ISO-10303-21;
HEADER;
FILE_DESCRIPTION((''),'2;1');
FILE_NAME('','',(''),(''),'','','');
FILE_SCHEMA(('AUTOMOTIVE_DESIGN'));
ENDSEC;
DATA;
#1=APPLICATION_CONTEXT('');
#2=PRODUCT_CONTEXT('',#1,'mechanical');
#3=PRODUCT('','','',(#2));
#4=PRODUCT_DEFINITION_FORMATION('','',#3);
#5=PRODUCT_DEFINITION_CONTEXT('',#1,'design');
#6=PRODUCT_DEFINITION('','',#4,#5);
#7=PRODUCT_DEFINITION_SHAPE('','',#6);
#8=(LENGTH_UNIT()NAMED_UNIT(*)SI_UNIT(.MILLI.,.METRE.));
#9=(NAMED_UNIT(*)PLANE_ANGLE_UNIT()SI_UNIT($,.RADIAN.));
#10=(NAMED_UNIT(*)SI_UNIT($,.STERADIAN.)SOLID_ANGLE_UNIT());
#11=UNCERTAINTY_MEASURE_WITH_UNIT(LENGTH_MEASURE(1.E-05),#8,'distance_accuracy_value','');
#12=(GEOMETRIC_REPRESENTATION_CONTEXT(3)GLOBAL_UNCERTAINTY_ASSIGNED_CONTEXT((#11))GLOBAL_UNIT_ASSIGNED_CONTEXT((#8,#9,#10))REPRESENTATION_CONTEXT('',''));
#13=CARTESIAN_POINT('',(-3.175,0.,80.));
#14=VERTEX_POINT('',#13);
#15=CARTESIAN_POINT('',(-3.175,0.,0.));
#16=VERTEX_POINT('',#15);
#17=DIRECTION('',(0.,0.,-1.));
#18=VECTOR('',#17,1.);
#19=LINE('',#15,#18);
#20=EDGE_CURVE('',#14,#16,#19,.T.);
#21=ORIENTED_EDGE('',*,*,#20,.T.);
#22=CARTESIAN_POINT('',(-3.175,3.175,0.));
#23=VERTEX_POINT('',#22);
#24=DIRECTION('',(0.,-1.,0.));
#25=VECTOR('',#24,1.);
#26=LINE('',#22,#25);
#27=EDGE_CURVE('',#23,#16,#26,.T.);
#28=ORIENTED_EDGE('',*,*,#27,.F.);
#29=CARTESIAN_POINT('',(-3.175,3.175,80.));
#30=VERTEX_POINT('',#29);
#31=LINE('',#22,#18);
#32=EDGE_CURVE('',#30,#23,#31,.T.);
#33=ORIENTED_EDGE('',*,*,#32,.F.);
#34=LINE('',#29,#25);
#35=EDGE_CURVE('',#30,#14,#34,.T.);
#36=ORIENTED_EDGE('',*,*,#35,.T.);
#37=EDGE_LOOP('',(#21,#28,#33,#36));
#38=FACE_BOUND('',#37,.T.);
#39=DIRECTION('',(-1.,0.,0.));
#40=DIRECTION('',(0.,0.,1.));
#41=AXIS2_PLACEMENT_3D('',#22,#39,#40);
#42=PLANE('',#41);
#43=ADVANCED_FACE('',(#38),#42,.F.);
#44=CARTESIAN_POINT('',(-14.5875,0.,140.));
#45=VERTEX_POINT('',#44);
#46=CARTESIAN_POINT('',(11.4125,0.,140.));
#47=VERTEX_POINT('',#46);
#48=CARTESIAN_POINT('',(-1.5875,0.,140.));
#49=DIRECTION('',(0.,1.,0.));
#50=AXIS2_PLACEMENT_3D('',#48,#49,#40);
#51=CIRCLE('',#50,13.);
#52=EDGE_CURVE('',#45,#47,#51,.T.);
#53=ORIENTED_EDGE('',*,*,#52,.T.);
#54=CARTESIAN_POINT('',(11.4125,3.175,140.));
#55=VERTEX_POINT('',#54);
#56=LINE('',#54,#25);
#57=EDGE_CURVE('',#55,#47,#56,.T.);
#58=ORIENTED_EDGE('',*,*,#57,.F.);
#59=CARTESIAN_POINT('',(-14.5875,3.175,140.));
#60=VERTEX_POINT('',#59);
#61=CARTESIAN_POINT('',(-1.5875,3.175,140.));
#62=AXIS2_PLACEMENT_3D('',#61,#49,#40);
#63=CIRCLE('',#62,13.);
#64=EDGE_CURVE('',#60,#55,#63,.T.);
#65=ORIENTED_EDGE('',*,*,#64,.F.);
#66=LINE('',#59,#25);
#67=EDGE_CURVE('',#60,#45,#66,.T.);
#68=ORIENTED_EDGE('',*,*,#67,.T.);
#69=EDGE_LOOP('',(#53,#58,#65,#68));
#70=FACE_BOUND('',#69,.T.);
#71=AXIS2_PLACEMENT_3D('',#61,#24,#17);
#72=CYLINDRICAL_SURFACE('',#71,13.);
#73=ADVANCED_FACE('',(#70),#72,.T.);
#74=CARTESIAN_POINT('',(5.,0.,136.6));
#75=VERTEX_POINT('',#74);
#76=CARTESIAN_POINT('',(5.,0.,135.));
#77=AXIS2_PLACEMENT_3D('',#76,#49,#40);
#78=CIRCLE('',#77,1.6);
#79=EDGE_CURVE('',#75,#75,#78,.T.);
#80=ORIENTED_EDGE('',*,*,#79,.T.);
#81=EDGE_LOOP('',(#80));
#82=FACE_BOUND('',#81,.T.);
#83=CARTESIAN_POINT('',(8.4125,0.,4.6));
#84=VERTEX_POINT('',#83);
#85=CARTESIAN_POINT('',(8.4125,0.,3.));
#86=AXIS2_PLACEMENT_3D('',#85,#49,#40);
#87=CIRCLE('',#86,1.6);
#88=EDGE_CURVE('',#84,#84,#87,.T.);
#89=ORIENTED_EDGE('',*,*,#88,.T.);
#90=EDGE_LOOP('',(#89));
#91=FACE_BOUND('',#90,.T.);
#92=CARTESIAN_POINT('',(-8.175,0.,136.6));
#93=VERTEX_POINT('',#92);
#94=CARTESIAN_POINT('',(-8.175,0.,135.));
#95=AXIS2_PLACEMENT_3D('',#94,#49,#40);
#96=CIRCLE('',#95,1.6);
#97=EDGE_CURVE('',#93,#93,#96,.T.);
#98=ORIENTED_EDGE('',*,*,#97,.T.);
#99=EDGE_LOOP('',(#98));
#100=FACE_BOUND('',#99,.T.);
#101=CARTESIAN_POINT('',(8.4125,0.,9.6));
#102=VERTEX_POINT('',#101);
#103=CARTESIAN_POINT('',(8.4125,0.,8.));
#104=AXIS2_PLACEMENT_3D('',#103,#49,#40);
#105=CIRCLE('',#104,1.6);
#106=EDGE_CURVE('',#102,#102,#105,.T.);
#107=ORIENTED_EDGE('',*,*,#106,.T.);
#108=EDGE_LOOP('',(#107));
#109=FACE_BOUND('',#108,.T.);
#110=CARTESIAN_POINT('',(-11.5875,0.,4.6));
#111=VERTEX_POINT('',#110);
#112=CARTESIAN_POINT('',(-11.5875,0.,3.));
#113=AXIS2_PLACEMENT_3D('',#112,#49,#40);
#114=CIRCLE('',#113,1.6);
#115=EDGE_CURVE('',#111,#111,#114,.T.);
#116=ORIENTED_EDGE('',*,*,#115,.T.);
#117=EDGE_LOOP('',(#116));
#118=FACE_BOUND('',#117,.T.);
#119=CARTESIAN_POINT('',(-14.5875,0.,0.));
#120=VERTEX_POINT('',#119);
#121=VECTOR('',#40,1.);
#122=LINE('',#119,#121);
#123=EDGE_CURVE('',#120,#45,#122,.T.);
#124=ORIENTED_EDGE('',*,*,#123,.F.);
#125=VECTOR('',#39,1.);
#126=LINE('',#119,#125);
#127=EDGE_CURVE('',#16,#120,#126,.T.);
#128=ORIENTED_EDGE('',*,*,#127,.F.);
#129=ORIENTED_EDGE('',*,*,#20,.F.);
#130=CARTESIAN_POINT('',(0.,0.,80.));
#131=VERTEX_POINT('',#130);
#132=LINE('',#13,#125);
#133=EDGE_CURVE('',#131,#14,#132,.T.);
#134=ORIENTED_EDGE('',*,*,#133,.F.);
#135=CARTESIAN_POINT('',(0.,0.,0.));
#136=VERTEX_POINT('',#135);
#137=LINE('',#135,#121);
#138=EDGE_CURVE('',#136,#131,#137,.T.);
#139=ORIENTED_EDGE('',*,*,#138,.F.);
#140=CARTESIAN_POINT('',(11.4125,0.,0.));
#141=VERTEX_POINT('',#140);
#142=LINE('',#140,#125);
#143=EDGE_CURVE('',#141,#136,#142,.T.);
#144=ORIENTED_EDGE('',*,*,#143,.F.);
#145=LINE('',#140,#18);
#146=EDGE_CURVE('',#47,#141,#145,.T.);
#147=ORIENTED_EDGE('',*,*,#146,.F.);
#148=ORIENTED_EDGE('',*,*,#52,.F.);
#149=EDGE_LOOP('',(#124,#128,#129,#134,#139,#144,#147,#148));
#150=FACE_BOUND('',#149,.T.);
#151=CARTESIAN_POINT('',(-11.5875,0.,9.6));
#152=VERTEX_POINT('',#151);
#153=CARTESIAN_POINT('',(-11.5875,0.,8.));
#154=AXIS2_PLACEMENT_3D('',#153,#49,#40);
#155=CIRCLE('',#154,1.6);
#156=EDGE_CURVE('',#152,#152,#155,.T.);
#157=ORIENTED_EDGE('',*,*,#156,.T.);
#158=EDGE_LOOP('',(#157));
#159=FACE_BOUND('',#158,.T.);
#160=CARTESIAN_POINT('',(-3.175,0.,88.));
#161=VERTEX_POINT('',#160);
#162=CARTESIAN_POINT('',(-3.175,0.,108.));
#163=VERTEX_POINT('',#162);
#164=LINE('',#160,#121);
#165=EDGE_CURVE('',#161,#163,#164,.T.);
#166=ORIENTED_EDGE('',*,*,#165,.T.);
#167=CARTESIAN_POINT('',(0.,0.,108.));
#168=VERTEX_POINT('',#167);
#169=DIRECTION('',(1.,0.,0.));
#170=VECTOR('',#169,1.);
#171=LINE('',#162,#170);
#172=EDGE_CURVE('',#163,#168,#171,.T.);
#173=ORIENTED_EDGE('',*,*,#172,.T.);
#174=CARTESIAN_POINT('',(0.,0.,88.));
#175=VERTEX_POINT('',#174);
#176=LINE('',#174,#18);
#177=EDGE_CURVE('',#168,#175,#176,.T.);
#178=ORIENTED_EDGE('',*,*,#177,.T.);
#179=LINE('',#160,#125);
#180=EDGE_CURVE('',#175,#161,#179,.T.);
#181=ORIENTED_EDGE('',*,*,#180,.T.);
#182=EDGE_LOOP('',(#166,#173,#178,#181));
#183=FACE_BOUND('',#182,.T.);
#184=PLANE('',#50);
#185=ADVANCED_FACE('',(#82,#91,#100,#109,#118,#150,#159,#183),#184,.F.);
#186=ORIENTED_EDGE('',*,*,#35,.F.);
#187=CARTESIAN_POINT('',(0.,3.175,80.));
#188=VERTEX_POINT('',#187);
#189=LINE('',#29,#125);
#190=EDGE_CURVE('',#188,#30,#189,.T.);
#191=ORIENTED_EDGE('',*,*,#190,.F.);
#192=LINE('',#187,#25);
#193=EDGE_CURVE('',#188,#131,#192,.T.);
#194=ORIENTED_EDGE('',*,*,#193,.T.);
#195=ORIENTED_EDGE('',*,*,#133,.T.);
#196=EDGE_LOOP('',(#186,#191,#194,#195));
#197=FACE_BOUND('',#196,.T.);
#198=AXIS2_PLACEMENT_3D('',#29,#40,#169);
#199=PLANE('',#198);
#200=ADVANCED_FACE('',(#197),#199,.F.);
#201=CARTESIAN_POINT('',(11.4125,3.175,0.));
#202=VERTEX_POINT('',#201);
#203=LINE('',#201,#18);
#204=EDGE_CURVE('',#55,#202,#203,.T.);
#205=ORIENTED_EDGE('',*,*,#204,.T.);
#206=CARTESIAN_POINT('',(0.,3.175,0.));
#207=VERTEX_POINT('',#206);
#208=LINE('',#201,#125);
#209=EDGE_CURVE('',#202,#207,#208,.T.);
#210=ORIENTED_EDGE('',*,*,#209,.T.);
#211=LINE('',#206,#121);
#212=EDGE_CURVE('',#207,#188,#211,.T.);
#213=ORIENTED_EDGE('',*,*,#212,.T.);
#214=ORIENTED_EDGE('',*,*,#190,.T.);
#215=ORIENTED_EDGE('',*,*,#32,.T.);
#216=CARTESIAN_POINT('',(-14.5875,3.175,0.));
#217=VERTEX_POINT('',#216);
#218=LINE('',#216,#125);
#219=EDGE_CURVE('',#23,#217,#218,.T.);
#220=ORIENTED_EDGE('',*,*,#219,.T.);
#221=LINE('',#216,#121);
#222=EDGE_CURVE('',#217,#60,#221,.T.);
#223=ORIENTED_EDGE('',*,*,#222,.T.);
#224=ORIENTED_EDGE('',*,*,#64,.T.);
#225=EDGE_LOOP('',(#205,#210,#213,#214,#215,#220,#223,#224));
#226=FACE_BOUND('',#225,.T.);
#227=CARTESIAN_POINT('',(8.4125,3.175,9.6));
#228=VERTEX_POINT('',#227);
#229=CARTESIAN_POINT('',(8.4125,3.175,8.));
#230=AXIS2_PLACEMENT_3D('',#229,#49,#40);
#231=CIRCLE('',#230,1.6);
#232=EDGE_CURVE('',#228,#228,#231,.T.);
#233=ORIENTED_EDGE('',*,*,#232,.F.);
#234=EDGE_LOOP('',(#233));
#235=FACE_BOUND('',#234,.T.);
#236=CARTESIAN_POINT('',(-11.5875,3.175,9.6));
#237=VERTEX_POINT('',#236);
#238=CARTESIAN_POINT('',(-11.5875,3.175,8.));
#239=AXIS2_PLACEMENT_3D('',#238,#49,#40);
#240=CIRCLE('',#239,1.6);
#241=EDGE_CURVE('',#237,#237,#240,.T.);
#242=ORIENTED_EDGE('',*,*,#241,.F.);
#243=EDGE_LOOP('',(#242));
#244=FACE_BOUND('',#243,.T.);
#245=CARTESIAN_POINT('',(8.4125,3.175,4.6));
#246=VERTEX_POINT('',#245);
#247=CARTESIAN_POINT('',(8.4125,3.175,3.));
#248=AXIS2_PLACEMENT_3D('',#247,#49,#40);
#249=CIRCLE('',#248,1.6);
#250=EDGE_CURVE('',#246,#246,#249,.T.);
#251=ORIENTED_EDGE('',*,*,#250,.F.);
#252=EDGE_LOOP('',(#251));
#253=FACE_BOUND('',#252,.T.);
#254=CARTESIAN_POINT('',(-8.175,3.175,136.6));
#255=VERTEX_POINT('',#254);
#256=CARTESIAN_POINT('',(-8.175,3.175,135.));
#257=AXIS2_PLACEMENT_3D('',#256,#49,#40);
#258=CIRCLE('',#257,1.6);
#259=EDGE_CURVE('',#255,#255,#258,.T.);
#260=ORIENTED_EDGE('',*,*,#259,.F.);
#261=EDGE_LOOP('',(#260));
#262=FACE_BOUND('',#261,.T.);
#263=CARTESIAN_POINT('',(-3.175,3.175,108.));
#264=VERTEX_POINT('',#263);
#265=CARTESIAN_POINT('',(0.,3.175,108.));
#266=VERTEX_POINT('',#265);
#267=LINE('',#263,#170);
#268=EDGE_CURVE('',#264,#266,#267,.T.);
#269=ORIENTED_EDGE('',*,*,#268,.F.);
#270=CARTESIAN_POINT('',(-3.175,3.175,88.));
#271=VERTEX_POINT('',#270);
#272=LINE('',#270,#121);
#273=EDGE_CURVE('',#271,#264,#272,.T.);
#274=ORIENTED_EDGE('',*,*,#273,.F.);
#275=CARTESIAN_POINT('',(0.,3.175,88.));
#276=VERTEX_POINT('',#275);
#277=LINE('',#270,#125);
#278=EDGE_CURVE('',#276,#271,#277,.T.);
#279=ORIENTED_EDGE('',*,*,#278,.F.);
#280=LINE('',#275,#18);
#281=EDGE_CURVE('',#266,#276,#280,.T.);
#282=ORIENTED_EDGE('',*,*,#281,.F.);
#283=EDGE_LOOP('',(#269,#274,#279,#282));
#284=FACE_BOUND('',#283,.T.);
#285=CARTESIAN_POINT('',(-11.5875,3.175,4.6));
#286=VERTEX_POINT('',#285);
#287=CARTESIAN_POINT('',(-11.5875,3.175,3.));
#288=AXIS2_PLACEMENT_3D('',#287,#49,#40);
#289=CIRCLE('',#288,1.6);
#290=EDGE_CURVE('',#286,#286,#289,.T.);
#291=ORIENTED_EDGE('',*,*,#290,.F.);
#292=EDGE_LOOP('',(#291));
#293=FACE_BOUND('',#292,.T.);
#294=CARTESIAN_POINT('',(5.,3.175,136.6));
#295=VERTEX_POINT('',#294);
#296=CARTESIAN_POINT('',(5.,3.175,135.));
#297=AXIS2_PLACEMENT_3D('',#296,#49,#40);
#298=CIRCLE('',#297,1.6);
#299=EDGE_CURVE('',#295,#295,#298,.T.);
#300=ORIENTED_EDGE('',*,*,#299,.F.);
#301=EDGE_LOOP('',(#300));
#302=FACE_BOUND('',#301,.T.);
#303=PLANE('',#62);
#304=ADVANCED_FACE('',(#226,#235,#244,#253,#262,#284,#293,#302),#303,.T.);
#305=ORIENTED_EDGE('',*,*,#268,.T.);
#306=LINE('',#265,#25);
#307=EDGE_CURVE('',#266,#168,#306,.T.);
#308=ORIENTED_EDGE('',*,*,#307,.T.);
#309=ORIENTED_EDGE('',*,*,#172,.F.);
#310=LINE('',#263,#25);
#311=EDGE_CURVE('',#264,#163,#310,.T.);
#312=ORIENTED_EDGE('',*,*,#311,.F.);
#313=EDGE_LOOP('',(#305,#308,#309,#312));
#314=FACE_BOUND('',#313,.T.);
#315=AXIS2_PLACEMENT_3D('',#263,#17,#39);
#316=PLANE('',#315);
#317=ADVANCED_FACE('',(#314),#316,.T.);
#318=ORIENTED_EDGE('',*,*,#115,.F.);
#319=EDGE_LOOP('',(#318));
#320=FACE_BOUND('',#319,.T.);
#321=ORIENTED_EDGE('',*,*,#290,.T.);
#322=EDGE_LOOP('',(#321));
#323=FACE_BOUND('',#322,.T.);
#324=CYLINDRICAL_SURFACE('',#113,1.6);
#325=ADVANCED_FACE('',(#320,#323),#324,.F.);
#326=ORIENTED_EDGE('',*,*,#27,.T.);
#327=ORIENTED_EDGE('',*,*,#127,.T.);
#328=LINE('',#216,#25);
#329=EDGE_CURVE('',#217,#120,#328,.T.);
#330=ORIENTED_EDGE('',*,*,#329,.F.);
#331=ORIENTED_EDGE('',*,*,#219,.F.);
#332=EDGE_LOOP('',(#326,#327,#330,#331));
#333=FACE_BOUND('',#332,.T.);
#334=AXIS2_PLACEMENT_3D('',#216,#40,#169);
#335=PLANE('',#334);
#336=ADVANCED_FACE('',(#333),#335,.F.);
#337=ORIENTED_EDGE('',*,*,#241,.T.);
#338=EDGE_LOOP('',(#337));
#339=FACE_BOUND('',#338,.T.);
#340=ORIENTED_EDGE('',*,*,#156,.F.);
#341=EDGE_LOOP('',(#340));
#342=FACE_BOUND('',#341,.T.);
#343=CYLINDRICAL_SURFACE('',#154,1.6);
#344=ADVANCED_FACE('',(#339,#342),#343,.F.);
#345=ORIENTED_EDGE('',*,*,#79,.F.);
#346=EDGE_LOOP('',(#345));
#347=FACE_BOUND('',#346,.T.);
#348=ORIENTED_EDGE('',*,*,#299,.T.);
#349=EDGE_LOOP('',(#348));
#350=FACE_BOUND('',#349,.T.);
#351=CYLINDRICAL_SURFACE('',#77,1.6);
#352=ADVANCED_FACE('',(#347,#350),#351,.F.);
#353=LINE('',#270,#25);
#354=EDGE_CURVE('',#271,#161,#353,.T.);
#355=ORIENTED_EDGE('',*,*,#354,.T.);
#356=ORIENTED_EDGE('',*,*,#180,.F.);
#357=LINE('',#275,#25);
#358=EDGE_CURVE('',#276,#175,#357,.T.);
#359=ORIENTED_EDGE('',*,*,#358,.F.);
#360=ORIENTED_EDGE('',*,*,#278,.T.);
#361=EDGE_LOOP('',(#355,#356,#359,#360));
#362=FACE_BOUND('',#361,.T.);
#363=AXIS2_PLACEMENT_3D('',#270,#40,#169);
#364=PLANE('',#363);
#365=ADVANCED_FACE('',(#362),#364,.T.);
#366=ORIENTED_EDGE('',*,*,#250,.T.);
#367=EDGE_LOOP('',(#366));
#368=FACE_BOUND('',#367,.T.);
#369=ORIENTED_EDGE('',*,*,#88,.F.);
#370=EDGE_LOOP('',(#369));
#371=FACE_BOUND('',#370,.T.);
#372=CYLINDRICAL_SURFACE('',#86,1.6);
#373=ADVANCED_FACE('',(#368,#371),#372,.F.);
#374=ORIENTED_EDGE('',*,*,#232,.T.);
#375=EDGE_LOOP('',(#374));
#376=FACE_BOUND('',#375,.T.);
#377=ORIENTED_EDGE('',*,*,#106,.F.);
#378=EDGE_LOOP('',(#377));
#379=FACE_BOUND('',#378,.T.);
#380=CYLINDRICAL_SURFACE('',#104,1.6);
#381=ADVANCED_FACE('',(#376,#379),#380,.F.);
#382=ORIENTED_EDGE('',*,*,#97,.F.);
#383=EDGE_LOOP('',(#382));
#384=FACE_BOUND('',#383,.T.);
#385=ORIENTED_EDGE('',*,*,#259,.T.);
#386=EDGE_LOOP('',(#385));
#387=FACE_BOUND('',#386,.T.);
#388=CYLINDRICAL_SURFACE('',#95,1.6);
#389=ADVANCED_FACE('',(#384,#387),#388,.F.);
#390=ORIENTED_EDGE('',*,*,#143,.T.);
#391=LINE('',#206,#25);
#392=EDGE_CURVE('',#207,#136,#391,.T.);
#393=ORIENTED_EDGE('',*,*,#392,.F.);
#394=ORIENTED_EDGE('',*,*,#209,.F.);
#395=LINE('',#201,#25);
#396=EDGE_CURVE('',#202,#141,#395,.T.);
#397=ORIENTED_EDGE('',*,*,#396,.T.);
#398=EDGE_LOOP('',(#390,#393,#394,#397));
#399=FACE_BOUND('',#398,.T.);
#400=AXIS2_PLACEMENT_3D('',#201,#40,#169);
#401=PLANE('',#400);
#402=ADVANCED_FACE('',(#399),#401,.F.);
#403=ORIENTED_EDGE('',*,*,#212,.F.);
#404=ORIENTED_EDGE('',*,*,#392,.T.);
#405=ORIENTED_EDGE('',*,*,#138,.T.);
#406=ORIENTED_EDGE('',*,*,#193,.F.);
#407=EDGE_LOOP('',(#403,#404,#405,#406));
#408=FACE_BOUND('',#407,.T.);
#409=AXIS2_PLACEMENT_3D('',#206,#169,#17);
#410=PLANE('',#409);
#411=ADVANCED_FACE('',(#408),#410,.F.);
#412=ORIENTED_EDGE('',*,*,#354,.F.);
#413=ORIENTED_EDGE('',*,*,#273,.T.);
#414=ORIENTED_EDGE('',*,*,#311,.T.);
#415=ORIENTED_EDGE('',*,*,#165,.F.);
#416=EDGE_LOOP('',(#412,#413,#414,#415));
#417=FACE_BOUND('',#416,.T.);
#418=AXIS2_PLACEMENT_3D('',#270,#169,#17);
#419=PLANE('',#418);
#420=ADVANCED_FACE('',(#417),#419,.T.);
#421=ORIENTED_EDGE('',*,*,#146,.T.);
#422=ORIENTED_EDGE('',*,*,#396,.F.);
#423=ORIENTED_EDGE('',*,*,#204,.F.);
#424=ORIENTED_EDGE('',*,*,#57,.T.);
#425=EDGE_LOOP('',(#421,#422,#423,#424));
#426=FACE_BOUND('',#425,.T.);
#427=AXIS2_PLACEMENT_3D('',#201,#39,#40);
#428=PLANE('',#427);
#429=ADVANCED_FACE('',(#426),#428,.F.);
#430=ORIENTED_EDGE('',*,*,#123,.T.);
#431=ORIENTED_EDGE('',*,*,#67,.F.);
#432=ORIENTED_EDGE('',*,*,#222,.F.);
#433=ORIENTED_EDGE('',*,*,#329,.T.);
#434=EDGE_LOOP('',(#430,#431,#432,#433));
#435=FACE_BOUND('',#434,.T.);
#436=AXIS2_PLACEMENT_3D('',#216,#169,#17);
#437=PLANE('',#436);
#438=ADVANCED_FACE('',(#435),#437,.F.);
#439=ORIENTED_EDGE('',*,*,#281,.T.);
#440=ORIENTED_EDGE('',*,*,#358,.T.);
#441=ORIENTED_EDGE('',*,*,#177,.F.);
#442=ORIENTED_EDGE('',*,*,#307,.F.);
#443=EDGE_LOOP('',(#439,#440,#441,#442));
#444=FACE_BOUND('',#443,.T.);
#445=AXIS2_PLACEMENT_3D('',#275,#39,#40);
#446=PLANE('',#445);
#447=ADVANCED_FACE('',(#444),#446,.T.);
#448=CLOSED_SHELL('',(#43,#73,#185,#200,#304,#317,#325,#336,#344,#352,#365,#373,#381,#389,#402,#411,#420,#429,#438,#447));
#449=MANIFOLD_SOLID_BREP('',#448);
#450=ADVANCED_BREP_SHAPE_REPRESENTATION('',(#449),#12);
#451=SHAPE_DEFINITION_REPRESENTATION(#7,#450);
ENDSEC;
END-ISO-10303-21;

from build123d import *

# Parameters (mm, degrees)
SKETCH1_W               = 3.175
SKETCH1_H               = 20
BOSS_EXTRUDE1_DEPTH     = 3.175
CUT_EXTRUDE1_DEPTH      = 154.72662678
CUT_EXTRUDE1_DEPTH_BACK = 154.72662678
SKETCH2_R               = 1.6
CUT_EXTRUDE2_DEPTH      = 154.72662678
CUT_EXTRUDE2_DEPTH_BACK = 154.72662678
SKETCH3_R               = 1.6


with BuildPart() as part:
    # Sketch1 → Boss-Extrude1 (new body)
    with BuildSketch(Plane(origin=(0, 0, 0), x_dir=(1, 0, 0), z_dir=(0, 1, 0))):
        with BuildLine():
            Line((-14.5875, 0), (-14.5875, -140))
            ThreePointArc((-14.5875, -140), (-1.5875, -153), (11.4125, -140))
            Line((11.4125, -140), (11.4125, 0))
            Line((11.4125, 0), (0, 0))
            Line((0, 0), (0, -80))
            Line((0, -80), (-3.175, -80))
            Line((-3.175, -80), (-3.175, 0))
            Line((-3.175, 0), (-14.5875, 0))
        make_face()
        with Locations((-1.5875, -98)):
            Rectangle(SKETCH1_W, SKETCH1_H, mode=Mode.SUBTRACT)
    extrude(amount=BOSS_EXTRUDE1_DEPTH)

    # Sketch2 → Cut-Extrude1 (cut, two sides: drawn at the far end of the back side and taken through both)
    with BuildSketch(Plane(origin=(0, 3.175, 0), x_dir=(1, 0, 0), z_dir=(0, 1, 0)).offset(-CUT_EXTRUDE1_DEPTH_BACK)):
        with Locations(Location((5, -135, 0), (0, 0, 270))):
            Circle(SKETCH2_R)
        with Locations(Location((-8.175, -135, 0), (0, 0, 270))):
            Circle(SKETCH2_R)
    extrude(amount=CUT_EXTRUDE1_DEPTH + CUT_EXTRUDE1_DEPTH_BACK, mode=Mode.SUBTRACT)

    # Sketch3 → Cut-Extrude2 (cut, two sides: drawn at the far end of the back side and taken through both)
    with BuildSketch(Plane(origin=(0, 3.175, 0), x_dir=(1, 0, 0), z_dir=(0, 1, 0)).offset(-CUT_EXTRUDE2_DEPTH_BACK)):
        with Locations(Location((-11.5875, -8, 0), (0, 0, 270))):
            Circle(SKETCH3_R)
        with Locations(Location((-11.5875, -3, 0), (0, 0, 270))):
            Circle(SKETCH3_R)
        with Locations(Location((8.4125, -8, 0), (0, 0, 270))):
            Circle(SKETCH3_R)
        with Locations(Location((8.4125, -3, 0), (0, 0, 270))):
            Circle(SKETCH3_R)
    extrude(amount=CUT_EXTRUDE2_DEPTH + CUT_EXTRUDE2_DEPTH_BACK, mode=Mode.SUBTRACT)


solid = part.part
